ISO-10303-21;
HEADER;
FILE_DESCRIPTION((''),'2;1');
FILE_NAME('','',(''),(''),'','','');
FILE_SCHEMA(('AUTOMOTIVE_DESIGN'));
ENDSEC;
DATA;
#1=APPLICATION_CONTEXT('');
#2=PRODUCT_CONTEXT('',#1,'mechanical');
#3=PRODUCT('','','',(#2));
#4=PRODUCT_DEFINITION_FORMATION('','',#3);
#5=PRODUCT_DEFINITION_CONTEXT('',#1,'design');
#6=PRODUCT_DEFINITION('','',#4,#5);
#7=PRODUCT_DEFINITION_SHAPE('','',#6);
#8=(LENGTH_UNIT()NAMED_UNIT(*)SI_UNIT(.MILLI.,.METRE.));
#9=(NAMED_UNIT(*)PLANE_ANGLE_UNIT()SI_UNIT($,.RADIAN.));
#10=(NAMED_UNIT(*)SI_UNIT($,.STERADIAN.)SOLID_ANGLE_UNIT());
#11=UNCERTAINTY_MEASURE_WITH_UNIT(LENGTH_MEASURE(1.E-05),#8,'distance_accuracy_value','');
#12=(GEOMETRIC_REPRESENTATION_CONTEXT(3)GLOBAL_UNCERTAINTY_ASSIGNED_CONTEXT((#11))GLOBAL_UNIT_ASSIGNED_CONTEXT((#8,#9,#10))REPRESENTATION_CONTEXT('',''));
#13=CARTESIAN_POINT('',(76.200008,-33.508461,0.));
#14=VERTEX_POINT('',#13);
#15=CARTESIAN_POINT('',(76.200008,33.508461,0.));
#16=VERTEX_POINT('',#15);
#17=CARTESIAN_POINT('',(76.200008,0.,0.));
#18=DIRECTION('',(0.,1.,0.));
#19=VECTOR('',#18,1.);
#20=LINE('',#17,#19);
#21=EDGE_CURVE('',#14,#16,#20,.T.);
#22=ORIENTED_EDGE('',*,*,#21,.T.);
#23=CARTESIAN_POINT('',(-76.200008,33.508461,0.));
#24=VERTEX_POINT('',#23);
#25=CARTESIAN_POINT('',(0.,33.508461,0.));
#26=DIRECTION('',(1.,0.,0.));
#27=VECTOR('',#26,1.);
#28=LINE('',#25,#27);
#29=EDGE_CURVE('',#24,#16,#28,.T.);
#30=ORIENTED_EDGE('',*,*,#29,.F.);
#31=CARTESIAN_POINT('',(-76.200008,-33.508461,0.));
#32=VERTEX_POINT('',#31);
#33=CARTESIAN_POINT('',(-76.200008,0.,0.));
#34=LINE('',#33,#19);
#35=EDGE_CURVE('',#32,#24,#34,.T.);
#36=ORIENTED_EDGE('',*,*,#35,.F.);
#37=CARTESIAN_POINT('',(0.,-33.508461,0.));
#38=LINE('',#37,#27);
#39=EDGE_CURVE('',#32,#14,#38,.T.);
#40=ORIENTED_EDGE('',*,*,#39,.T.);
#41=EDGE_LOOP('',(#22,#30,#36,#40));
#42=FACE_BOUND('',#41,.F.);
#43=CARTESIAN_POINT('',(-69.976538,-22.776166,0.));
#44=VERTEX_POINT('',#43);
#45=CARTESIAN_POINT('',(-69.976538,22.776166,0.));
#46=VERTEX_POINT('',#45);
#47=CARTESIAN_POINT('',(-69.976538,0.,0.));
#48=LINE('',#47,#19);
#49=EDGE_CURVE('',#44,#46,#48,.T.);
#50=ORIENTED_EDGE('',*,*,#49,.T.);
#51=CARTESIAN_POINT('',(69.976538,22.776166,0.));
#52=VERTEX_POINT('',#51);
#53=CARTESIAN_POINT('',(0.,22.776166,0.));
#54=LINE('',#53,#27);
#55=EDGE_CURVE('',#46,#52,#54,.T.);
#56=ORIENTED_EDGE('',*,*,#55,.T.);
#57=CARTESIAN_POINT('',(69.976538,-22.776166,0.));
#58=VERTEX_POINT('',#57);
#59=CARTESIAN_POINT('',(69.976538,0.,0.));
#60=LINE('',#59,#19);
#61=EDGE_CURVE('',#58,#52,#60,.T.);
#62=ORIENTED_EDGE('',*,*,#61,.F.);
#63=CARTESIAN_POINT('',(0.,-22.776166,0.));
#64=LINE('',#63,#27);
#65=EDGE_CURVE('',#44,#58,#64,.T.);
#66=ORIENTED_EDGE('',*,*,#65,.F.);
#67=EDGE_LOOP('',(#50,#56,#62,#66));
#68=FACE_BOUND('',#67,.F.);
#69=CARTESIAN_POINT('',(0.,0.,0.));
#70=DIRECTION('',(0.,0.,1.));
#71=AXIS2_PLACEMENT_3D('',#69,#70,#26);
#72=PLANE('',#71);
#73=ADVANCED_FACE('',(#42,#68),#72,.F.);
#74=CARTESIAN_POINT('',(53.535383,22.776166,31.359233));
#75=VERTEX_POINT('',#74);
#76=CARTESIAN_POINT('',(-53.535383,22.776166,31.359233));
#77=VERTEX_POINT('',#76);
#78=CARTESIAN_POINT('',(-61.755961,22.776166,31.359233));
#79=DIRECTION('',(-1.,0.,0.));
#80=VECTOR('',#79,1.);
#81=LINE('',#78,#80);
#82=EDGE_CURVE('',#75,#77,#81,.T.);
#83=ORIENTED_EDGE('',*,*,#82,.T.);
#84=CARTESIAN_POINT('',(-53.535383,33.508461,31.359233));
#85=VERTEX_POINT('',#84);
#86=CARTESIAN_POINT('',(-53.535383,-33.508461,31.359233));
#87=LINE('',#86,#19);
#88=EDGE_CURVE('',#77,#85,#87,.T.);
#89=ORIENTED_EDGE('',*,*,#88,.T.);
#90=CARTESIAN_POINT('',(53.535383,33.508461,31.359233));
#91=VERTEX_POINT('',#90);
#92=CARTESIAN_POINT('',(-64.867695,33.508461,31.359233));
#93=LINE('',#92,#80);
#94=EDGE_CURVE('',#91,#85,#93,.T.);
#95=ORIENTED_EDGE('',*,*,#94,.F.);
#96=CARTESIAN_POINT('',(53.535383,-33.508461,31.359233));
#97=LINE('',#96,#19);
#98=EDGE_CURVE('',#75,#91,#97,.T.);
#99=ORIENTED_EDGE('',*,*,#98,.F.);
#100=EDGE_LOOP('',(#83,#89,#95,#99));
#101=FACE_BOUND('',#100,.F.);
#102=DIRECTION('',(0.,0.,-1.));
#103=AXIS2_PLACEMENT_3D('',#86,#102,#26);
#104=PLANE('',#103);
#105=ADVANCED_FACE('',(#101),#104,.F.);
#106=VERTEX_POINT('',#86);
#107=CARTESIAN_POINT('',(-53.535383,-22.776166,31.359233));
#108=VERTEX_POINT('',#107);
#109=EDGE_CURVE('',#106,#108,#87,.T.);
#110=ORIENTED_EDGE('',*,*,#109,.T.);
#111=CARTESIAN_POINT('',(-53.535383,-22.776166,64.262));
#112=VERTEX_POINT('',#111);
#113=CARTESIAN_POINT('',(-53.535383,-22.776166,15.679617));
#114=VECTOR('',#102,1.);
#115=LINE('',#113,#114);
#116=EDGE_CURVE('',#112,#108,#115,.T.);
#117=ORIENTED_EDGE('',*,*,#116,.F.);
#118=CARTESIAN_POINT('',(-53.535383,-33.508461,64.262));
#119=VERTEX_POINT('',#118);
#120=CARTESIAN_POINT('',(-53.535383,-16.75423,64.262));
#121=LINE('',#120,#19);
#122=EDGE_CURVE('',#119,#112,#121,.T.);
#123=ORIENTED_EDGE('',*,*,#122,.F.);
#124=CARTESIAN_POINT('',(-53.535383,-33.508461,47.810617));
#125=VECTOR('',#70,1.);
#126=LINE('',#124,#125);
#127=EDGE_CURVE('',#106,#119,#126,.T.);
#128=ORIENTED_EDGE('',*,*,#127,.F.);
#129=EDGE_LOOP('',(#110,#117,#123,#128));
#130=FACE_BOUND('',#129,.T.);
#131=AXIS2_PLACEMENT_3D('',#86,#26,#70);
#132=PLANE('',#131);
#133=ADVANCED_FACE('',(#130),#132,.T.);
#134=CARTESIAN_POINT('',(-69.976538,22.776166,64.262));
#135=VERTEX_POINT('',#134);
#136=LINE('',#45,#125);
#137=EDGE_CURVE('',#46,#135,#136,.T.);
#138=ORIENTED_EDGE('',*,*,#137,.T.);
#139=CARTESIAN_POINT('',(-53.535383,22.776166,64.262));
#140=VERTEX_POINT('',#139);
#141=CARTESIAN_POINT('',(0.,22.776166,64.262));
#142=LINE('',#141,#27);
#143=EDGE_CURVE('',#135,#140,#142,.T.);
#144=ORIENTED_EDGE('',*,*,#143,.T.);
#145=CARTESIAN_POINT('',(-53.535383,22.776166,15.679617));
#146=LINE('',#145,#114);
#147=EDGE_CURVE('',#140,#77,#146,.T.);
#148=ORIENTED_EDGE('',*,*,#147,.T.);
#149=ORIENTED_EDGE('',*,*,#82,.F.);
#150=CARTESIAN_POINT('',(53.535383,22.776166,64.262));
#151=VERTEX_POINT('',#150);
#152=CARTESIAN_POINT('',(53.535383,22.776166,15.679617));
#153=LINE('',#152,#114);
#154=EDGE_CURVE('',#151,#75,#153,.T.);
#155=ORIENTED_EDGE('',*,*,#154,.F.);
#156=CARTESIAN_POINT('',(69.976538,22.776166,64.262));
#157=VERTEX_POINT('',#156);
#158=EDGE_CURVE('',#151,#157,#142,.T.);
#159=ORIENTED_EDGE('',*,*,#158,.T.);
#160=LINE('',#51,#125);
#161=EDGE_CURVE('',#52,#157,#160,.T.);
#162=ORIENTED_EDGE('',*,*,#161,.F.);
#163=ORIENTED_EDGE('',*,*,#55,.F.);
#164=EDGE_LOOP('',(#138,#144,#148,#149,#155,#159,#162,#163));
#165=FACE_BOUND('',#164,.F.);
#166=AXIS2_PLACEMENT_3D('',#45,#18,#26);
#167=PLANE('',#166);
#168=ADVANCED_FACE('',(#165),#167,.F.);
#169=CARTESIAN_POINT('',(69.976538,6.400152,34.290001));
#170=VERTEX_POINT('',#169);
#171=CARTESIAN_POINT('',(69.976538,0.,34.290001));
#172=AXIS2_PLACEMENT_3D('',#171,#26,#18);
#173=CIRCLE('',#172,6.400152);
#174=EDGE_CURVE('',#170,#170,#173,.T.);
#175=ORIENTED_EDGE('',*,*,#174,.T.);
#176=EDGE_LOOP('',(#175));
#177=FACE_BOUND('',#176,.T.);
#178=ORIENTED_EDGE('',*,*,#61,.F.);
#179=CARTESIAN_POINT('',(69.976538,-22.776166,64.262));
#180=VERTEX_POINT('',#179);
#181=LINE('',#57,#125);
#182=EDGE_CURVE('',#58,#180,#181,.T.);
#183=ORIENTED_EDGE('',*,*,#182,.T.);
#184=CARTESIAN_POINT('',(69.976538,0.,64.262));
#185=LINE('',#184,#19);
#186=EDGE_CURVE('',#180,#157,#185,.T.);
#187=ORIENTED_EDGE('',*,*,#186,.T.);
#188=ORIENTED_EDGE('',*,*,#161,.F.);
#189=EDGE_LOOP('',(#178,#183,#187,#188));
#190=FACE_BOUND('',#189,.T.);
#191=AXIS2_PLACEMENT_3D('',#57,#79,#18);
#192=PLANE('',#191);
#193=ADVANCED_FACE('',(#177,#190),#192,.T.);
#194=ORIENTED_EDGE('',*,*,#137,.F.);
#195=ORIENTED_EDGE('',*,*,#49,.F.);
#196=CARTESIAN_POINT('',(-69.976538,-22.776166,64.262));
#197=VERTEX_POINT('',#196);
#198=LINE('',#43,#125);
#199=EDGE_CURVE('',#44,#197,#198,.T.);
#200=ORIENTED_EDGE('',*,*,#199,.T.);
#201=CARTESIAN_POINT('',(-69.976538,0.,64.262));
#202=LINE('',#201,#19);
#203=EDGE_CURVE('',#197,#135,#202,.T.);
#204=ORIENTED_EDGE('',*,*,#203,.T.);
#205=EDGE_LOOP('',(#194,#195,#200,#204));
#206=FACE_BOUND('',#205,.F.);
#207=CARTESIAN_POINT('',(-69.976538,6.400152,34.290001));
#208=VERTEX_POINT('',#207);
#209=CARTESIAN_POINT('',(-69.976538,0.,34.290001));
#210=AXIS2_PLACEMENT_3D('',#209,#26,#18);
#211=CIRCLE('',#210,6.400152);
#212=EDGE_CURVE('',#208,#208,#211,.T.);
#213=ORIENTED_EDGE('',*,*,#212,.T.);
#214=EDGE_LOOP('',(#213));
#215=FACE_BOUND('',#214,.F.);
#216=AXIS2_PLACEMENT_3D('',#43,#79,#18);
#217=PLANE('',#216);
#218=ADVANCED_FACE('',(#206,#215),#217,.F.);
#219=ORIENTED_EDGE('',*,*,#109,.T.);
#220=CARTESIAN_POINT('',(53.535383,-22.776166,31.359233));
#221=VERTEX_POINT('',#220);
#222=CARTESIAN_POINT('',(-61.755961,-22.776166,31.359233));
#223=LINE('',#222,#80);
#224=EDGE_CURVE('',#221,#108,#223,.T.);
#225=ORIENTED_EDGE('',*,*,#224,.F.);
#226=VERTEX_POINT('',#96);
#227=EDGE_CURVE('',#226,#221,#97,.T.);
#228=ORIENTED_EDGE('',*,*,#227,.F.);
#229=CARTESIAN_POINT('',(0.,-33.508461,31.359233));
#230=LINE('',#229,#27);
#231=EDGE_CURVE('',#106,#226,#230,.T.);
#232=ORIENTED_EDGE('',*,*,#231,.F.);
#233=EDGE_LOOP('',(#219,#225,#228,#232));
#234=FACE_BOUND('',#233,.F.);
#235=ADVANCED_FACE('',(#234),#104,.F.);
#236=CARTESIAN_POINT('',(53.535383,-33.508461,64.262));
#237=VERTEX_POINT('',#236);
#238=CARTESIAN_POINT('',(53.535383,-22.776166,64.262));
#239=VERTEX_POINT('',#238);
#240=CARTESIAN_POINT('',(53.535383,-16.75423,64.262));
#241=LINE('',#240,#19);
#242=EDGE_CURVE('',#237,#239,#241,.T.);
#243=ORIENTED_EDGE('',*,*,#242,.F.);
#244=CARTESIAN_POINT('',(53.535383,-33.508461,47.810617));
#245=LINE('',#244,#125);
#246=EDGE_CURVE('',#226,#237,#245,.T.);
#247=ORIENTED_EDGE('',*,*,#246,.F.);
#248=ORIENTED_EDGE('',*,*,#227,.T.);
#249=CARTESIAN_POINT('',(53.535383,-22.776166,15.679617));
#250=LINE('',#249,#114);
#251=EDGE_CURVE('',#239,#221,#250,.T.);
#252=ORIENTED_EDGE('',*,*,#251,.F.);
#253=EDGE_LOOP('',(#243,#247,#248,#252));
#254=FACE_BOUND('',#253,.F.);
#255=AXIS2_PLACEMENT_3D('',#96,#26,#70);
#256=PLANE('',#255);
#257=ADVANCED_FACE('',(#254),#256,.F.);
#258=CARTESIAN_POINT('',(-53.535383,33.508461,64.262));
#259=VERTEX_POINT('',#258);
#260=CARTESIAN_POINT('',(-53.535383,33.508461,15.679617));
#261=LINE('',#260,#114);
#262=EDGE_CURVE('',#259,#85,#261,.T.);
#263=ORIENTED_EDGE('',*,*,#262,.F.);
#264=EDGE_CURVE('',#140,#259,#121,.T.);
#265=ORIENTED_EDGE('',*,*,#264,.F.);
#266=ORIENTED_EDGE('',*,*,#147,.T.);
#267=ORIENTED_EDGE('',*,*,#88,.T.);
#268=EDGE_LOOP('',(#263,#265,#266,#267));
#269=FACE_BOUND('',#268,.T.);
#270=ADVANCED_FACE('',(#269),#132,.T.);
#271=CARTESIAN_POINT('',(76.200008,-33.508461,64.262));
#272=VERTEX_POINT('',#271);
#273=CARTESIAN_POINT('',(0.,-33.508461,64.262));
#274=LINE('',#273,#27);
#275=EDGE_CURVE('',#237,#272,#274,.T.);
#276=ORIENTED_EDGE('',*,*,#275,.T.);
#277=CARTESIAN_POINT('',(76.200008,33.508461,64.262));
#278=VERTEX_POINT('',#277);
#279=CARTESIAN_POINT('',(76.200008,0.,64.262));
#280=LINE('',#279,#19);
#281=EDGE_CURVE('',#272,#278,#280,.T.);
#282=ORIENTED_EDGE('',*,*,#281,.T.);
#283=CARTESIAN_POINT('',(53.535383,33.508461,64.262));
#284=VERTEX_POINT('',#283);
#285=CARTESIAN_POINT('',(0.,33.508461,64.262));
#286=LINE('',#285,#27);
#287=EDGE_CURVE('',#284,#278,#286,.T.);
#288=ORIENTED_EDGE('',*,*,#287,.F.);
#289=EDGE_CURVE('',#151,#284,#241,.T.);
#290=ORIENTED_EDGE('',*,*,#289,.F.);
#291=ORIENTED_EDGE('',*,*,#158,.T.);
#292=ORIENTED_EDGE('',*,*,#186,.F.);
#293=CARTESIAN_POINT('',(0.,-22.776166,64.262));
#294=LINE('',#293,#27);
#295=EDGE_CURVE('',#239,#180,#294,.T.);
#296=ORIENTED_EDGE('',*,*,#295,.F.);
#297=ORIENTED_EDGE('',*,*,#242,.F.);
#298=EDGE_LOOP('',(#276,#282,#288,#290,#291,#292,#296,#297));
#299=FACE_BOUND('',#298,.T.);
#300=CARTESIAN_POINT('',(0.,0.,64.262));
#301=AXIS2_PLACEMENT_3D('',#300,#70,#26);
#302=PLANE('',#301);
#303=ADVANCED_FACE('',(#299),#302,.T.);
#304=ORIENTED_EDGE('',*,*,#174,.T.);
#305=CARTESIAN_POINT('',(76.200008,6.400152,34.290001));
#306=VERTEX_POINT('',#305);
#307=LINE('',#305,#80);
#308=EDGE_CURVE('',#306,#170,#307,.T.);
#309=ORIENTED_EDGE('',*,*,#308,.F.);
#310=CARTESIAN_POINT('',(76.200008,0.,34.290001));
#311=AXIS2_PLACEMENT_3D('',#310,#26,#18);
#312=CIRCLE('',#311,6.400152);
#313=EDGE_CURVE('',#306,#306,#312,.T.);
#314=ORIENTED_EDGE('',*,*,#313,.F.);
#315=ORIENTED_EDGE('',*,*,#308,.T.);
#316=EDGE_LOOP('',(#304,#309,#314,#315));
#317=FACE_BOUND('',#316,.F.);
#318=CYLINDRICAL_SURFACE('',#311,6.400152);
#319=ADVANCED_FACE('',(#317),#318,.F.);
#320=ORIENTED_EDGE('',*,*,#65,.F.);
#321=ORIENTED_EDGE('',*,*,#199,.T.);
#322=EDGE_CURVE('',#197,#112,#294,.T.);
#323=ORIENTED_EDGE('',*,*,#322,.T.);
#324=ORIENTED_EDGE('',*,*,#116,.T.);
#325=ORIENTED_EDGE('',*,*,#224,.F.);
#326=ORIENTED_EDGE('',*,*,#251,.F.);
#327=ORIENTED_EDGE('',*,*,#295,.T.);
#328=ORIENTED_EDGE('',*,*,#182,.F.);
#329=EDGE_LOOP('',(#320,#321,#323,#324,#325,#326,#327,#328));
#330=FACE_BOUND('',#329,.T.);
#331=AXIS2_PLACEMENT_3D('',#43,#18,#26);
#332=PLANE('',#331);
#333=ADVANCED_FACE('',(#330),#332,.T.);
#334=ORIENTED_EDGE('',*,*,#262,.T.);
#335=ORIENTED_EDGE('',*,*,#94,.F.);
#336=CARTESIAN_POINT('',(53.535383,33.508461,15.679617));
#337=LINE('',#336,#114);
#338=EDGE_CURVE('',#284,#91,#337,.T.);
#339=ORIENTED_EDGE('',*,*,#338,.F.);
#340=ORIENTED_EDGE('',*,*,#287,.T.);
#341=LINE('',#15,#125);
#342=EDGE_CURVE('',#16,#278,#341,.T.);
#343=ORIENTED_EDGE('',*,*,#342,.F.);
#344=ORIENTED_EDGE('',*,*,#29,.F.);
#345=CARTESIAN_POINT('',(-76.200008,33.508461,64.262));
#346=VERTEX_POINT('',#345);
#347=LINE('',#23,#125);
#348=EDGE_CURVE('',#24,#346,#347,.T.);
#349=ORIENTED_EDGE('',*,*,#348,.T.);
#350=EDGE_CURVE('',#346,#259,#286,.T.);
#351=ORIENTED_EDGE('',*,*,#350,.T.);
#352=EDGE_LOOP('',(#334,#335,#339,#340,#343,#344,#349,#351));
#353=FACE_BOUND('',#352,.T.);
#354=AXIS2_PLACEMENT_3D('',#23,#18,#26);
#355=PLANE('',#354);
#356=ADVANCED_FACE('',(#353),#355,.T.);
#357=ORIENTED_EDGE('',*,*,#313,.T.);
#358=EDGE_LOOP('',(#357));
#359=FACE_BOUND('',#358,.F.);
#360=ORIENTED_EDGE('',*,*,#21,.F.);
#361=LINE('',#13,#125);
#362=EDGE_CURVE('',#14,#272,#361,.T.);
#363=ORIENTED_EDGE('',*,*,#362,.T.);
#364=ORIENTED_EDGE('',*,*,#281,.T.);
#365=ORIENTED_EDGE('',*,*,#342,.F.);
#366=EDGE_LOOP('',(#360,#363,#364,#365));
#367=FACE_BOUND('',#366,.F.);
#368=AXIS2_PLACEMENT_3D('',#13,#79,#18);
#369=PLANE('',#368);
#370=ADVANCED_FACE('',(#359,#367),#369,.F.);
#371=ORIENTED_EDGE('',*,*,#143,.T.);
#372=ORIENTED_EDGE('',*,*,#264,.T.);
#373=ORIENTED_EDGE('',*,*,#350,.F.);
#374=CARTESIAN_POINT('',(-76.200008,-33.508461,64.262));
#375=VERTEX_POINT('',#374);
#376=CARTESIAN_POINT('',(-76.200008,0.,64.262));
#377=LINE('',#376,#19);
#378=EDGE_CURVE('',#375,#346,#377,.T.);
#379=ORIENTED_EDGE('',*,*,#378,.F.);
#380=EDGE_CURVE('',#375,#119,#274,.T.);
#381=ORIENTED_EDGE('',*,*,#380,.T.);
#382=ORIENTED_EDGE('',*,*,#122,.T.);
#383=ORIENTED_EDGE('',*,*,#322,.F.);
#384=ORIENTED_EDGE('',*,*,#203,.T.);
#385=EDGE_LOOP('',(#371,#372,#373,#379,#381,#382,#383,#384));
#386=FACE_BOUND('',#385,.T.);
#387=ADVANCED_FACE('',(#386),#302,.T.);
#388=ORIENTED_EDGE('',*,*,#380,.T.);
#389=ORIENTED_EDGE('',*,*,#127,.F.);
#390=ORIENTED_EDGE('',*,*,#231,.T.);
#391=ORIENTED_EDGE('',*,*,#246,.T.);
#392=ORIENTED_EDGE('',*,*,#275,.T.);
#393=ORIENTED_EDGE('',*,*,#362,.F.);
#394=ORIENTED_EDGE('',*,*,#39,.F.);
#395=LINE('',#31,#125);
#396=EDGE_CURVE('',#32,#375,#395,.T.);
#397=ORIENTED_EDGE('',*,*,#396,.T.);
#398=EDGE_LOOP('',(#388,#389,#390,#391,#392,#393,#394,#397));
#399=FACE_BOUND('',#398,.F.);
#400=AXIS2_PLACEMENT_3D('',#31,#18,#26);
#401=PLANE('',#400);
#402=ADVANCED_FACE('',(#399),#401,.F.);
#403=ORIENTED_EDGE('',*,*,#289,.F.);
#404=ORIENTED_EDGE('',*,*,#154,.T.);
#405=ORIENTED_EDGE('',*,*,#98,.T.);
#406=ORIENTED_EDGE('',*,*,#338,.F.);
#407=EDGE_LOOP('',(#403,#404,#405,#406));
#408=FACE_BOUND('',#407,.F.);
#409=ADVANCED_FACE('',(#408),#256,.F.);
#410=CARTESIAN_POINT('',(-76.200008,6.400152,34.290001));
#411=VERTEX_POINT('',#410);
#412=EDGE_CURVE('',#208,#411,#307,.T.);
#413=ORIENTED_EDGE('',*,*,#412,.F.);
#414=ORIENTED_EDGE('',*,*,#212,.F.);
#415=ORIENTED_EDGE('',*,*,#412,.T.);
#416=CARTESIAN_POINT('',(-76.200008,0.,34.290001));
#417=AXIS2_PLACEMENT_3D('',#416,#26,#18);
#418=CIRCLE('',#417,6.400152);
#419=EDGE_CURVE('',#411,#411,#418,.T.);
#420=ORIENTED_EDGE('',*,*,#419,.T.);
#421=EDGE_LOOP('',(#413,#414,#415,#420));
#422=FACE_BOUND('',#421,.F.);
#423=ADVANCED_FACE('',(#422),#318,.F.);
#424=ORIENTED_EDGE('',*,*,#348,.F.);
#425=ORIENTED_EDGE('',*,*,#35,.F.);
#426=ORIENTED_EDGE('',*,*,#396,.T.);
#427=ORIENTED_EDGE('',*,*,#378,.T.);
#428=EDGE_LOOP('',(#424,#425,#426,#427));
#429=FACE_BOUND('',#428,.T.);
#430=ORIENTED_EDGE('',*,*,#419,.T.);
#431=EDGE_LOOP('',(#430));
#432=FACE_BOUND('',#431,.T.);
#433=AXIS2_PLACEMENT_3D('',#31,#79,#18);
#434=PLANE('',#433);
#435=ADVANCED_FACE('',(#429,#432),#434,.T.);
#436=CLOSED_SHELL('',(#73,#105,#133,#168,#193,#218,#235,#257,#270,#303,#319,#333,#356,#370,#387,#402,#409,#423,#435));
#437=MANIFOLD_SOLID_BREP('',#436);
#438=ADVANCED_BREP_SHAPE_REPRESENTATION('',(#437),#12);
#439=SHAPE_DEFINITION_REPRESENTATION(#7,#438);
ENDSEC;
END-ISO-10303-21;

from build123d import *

# Parameters (mm, degrees)
F0_W     = 152.400016
F0_H     = 67.016922
F0_W_2   = 139.953076
F0_H_2   = 45.552332
F1_DEPTH = 64.262
F2_W     = 107.070766
F2_H     = 32.902767
F3_DEPTH = 90.17
F4_R     = 6.400152
F5_DEPTH = 169.926


with BuildPart() as f1:
    # F0 (on Top) → F1 (new body)
    with BuildSketch(Plane.XY):
        Rectangle(F0_W, F0_H)
        Rectangle(F0_W_2, F0_H_2, mode=Mode.SUBTRACT)
    extrude(amount=F1_DEPTH)

    # F2 (on face) → F3 (cut)
    with BuildSketch(Plane.XZ.offset(33.508461)):
        with Locations((0, 47.810617)):
            Rectangle(F2_W, F2_H)
    extrude(amount=-F3_DEPTH, mode=Mode.SUBTRACT)

    # F4 (on face) → F5 (cut)
    with BuildSketch(Plane.YZ.offset(76.200008)):
        with Locations((0, 34.290001)):
            Circle(F4_R)
    extrude(amount=-F5_DEPTH, mode=Mode.SUBTRACT)


solid = f1.part
